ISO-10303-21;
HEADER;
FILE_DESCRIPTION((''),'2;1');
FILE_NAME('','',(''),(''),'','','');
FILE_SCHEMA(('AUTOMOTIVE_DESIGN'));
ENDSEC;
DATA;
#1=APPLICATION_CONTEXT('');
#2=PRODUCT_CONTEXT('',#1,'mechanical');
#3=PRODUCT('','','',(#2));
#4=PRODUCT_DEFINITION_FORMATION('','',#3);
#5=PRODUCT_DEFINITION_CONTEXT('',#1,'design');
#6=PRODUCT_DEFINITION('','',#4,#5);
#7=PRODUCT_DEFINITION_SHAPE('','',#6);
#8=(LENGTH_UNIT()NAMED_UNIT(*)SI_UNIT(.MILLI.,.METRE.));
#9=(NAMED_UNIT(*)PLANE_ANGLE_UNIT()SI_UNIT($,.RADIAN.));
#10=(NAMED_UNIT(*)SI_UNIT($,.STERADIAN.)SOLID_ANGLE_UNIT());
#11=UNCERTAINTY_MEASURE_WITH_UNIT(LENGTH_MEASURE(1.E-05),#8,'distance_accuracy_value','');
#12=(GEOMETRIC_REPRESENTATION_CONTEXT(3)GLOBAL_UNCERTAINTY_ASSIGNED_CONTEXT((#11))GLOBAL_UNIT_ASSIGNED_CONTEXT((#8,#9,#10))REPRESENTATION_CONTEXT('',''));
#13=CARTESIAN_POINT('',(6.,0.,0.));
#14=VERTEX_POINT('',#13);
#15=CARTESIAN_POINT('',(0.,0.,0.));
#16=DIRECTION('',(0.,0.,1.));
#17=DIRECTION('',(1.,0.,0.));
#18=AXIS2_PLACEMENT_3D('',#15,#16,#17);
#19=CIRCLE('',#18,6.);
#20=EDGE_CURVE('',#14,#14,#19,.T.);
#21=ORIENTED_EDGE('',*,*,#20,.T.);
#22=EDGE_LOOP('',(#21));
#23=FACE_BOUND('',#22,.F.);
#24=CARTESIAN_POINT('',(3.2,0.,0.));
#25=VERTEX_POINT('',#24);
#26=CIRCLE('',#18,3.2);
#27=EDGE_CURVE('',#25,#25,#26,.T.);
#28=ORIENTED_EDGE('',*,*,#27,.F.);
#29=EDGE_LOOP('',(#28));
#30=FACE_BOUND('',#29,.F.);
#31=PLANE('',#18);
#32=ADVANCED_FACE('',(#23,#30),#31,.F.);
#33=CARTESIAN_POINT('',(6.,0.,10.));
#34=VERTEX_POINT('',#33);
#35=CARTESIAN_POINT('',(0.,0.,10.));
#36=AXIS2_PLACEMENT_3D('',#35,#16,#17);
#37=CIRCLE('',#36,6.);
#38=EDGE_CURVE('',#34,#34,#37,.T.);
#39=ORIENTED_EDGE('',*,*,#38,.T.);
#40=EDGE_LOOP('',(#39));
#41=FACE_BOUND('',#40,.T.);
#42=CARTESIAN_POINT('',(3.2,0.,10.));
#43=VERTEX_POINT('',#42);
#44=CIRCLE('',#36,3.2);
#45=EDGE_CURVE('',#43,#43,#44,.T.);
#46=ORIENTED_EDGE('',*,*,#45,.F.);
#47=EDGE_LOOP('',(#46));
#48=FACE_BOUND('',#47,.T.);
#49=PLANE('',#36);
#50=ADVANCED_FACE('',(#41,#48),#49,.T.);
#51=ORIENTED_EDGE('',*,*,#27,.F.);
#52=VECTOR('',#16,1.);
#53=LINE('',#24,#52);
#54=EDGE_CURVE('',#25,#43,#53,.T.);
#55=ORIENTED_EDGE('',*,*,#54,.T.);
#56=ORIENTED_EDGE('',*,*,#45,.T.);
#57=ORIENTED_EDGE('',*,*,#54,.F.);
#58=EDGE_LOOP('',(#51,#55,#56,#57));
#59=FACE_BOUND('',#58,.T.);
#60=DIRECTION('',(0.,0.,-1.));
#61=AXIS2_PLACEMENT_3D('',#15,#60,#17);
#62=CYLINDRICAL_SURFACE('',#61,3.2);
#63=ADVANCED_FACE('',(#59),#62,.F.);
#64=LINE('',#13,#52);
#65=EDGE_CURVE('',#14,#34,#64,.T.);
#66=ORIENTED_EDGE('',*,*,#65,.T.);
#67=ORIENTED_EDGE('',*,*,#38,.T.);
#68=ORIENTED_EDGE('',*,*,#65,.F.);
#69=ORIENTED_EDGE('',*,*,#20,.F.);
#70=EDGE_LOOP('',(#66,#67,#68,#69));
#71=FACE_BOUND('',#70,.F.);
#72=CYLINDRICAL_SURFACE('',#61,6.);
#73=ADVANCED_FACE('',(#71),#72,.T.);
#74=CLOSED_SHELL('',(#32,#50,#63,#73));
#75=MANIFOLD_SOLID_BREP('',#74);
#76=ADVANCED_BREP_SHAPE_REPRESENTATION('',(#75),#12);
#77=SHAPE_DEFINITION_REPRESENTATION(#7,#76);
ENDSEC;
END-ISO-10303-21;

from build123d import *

# Parameters (mm, degrees)
SKETCH_R   = 6
SKETCH_R_2 = 3.2
PAD_DEPTH  = 10


with BuildPart() as part:
    # Sketch → Pad (new body)
    with BuildSketch(Plane.XY):
        Circle(SKETCH_R)
        Circle(SKETCH_R_2, mode=Mode.SUBTRACT)
    extrude(amount=PAD_DEPTH)


solid = part.part
